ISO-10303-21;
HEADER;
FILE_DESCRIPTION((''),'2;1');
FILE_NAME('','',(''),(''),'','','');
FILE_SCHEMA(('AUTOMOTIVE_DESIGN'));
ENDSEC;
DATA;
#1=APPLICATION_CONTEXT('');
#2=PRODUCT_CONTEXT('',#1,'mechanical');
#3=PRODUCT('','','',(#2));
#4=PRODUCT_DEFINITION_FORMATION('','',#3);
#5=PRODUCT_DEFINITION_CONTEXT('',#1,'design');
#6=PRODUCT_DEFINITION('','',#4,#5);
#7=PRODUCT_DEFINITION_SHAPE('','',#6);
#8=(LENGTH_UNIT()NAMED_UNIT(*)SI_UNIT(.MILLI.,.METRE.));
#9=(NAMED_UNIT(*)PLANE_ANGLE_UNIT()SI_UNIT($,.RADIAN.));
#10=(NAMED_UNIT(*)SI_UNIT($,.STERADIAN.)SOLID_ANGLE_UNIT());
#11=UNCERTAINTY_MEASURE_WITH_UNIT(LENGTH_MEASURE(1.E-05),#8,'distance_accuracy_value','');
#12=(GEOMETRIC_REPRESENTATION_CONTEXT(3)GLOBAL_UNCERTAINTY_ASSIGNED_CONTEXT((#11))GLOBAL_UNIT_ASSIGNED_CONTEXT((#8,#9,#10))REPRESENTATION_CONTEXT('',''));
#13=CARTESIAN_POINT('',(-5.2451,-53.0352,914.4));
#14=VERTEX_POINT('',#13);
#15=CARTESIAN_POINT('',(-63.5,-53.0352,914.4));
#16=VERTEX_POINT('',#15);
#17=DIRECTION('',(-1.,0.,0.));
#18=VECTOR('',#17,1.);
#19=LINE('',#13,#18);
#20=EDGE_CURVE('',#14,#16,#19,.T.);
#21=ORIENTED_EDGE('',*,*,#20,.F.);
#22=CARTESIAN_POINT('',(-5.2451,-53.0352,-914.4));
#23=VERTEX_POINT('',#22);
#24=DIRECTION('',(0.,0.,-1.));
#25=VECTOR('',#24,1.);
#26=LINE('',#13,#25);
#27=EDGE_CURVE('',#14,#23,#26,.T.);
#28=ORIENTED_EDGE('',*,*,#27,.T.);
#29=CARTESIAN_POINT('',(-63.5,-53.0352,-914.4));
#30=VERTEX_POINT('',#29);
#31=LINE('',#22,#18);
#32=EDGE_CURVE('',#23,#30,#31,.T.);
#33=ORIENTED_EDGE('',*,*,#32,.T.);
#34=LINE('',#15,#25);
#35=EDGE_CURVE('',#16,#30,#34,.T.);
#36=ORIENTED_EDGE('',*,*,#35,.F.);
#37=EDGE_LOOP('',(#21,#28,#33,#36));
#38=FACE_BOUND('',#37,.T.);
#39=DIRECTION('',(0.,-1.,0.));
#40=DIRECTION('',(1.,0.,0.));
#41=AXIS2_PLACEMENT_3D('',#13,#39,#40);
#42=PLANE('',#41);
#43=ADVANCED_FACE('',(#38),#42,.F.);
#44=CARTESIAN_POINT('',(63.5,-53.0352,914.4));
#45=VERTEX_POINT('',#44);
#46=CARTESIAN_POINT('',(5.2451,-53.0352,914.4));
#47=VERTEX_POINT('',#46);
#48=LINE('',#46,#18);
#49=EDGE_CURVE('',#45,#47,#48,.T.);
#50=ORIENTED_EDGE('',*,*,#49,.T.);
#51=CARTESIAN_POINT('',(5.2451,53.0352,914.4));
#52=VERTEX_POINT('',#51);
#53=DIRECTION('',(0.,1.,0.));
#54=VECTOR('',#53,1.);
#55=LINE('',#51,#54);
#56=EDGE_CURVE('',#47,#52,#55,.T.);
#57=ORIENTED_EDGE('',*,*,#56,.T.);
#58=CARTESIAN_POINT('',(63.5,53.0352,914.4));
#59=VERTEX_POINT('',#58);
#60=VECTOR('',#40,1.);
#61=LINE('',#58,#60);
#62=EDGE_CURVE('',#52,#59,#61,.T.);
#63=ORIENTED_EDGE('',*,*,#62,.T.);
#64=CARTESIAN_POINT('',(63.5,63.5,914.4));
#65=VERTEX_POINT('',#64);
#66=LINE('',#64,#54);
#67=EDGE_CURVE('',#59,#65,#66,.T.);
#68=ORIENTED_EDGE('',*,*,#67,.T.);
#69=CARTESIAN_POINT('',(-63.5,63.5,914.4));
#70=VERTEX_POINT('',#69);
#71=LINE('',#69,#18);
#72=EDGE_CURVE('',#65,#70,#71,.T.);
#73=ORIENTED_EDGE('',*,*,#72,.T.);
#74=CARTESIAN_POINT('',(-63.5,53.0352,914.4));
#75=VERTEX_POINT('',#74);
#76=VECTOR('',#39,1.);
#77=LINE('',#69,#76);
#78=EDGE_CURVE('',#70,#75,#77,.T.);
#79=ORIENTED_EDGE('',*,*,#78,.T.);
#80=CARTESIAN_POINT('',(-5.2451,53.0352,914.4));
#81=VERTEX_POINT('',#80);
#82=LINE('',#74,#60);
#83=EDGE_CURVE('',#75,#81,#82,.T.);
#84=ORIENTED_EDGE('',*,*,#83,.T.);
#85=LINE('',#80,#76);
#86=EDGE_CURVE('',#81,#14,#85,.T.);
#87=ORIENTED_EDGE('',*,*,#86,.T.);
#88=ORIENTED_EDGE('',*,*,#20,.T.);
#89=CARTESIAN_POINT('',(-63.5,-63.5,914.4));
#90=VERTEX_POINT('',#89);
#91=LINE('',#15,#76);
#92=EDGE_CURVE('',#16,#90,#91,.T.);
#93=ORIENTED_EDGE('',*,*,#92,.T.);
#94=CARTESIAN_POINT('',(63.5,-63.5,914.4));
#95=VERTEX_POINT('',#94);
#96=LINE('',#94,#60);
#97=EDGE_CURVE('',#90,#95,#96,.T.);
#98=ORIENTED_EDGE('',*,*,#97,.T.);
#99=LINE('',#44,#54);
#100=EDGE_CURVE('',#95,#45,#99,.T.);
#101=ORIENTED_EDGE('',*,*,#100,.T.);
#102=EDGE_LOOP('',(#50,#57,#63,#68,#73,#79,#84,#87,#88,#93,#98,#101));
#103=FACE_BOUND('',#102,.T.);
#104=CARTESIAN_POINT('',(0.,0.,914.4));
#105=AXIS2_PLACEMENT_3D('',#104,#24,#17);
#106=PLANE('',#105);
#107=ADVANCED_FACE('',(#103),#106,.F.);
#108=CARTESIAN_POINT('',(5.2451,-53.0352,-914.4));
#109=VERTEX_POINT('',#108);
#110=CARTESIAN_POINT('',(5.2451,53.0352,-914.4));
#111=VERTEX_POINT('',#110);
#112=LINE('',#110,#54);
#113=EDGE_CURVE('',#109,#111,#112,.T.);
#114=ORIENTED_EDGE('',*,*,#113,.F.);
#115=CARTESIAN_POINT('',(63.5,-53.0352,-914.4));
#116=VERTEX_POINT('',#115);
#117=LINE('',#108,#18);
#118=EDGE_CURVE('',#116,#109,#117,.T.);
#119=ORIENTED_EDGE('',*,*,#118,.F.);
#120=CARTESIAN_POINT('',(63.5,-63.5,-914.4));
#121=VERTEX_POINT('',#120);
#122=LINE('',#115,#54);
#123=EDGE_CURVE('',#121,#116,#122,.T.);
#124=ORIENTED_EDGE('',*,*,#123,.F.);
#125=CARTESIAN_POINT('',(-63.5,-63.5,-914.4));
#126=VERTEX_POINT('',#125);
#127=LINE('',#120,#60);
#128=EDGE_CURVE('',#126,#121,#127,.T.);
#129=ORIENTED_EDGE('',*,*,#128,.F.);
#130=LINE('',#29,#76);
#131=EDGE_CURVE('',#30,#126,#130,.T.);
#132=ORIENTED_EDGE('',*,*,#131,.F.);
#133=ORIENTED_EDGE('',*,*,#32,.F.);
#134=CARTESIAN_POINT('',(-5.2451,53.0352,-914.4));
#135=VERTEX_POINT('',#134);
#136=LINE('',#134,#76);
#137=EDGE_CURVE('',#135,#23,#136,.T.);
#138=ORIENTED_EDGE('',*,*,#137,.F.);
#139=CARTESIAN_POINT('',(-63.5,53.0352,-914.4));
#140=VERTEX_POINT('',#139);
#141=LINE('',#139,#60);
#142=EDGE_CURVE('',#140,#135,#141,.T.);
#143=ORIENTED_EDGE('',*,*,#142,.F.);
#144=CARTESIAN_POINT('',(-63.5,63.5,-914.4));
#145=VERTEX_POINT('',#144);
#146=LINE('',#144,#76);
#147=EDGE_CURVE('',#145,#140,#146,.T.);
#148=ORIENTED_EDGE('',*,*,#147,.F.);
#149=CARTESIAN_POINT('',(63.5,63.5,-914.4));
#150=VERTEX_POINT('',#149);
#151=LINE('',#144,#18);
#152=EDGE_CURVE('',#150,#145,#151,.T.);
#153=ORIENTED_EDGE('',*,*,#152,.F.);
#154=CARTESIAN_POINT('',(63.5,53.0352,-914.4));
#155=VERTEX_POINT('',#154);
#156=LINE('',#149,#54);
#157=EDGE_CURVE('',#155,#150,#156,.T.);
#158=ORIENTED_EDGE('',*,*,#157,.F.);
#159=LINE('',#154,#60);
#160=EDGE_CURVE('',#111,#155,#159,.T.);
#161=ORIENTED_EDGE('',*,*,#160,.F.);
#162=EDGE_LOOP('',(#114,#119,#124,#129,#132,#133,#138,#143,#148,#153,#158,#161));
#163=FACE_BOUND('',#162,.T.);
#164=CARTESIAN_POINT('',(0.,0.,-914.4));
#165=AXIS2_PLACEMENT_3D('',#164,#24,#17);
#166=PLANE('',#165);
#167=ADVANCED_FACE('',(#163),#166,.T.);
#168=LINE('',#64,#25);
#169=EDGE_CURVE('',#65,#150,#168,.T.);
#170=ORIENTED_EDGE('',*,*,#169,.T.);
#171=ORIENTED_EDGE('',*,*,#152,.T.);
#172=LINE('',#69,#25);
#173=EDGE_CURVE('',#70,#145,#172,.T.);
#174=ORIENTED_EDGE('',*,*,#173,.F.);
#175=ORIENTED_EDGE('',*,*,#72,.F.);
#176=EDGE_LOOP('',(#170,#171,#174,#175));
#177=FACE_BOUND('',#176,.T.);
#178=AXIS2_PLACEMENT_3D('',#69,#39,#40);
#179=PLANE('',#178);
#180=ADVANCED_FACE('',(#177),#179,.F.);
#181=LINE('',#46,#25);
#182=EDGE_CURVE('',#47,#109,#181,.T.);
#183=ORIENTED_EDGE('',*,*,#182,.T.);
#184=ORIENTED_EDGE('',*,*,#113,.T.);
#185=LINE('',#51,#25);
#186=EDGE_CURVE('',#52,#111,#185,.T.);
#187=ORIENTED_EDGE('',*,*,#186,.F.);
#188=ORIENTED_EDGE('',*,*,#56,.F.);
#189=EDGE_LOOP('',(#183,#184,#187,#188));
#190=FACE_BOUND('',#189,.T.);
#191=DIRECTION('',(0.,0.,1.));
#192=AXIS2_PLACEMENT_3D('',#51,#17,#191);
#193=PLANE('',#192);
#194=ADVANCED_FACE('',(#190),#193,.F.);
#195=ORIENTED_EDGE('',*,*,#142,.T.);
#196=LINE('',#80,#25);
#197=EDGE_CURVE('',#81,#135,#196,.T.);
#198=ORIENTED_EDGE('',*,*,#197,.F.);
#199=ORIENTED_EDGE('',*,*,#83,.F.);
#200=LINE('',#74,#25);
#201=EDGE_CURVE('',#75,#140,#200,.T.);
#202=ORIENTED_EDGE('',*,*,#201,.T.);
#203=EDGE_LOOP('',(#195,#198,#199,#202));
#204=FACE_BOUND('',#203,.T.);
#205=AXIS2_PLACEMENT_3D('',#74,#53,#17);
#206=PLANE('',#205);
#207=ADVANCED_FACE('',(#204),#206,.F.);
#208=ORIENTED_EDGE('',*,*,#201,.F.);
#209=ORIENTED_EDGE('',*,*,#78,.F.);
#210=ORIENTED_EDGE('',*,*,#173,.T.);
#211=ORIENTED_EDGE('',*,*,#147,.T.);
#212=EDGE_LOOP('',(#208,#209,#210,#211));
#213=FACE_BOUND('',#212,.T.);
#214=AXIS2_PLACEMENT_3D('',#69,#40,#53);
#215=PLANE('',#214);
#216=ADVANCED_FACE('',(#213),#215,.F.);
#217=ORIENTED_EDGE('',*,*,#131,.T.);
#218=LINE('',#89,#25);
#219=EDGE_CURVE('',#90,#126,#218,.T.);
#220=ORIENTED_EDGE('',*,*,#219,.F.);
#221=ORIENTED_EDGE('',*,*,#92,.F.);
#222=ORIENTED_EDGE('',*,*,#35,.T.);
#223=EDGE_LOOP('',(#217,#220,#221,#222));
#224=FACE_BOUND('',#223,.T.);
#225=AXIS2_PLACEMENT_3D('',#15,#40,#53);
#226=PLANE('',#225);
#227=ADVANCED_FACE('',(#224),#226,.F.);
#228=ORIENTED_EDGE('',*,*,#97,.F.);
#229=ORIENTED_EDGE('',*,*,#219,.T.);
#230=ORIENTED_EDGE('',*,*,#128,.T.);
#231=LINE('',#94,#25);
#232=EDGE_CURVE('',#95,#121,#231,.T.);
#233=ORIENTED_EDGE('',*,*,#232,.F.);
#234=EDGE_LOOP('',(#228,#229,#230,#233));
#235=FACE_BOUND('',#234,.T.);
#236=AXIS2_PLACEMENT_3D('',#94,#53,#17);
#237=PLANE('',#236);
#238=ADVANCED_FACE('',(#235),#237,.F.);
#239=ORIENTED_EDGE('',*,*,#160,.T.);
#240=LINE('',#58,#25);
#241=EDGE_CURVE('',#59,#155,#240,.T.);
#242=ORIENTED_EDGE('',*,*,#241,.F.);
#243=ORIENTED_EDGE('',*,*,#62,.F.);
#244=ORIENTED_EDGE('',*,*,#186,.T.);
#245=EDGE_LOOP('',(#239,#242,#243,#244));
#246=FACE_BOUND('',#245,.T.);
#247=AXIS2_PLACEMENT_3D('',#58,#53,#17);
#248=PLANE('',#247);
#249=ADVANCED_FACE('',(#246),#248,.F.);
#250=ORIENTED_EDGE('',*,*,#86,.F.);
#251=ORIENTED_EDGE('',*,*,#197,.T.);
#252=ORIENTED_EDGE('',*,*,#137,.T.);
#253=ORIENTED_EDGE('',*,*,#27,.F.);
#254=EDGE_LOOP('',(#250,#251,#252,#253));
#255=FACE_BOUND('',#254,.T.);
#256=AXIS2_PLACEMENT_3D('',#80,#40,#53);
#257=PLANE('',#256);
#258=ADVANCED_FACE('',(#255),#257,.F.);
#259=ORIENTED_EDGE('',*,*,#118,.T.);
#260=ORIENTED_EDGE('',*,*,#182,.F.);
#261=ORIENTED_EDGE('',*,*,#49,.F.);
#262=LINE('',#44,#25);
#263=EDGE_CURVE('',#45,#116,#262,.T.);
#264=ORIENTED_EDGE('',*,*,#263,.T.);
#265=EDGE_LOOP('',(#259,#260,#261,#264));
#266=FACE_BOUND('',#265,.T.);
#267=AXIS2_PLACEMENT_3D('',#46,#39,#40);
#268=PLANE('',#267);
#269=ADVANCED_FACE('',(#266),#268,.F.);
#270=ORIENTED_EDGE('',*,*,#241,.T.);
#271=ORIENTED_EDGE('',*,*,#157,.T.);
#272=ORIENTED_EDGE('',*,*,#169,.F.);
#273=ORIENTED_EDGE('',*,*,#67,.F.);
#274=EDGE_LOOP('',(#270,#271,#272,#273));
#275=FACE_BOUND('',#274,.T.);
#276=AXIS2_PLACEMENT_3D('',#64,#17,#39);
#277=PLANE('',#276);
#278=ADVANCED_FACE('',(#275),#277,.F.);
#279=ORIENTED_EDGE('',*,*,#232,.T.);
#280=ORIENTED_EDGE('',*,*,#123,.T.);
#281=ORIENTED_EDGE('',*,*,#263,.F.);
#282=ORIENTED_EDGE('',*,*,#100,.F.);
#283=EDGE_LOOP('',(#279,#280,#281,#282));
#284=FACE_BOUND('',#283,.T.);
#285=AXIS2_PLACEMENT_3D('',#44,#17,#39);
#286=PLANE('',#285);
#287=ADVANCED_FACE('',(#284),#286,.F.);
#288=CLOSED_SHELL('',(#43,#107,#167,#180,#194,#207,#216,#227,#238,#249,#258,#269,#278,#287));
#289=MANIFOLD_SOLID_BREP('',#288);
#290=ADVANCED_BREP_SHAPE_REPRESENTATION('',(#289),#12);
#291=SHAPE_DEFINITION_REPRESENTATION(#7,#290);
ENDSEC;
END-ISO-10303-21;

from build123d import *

# Parameters (mm, degrees)
BOSS_EXTRUDE1_DEPTH = 914.4


with BuildPart() as part:
    # Sketch1 → Boss-Extrude1 (new, symmetric)
    with BuildSketch(Plane.XY):
        Polygon((-63.5, 63.5), (-63.5, 53.0352), (-5.2451, 53.0352), (-5.2451, -53.0352), (-63.5, -53.0352), (-63.5, -63.5), (63.5, -63.5), (63.5, -53.0352), (5.2451, -53.0352), (5.2451, 53.0352), (63.5, 53.0352), (63.5, 63.5), align=None)
    extrude(amount=BOSS_EXTRUDE1_DEPTH, both=True)


solid = part.part
